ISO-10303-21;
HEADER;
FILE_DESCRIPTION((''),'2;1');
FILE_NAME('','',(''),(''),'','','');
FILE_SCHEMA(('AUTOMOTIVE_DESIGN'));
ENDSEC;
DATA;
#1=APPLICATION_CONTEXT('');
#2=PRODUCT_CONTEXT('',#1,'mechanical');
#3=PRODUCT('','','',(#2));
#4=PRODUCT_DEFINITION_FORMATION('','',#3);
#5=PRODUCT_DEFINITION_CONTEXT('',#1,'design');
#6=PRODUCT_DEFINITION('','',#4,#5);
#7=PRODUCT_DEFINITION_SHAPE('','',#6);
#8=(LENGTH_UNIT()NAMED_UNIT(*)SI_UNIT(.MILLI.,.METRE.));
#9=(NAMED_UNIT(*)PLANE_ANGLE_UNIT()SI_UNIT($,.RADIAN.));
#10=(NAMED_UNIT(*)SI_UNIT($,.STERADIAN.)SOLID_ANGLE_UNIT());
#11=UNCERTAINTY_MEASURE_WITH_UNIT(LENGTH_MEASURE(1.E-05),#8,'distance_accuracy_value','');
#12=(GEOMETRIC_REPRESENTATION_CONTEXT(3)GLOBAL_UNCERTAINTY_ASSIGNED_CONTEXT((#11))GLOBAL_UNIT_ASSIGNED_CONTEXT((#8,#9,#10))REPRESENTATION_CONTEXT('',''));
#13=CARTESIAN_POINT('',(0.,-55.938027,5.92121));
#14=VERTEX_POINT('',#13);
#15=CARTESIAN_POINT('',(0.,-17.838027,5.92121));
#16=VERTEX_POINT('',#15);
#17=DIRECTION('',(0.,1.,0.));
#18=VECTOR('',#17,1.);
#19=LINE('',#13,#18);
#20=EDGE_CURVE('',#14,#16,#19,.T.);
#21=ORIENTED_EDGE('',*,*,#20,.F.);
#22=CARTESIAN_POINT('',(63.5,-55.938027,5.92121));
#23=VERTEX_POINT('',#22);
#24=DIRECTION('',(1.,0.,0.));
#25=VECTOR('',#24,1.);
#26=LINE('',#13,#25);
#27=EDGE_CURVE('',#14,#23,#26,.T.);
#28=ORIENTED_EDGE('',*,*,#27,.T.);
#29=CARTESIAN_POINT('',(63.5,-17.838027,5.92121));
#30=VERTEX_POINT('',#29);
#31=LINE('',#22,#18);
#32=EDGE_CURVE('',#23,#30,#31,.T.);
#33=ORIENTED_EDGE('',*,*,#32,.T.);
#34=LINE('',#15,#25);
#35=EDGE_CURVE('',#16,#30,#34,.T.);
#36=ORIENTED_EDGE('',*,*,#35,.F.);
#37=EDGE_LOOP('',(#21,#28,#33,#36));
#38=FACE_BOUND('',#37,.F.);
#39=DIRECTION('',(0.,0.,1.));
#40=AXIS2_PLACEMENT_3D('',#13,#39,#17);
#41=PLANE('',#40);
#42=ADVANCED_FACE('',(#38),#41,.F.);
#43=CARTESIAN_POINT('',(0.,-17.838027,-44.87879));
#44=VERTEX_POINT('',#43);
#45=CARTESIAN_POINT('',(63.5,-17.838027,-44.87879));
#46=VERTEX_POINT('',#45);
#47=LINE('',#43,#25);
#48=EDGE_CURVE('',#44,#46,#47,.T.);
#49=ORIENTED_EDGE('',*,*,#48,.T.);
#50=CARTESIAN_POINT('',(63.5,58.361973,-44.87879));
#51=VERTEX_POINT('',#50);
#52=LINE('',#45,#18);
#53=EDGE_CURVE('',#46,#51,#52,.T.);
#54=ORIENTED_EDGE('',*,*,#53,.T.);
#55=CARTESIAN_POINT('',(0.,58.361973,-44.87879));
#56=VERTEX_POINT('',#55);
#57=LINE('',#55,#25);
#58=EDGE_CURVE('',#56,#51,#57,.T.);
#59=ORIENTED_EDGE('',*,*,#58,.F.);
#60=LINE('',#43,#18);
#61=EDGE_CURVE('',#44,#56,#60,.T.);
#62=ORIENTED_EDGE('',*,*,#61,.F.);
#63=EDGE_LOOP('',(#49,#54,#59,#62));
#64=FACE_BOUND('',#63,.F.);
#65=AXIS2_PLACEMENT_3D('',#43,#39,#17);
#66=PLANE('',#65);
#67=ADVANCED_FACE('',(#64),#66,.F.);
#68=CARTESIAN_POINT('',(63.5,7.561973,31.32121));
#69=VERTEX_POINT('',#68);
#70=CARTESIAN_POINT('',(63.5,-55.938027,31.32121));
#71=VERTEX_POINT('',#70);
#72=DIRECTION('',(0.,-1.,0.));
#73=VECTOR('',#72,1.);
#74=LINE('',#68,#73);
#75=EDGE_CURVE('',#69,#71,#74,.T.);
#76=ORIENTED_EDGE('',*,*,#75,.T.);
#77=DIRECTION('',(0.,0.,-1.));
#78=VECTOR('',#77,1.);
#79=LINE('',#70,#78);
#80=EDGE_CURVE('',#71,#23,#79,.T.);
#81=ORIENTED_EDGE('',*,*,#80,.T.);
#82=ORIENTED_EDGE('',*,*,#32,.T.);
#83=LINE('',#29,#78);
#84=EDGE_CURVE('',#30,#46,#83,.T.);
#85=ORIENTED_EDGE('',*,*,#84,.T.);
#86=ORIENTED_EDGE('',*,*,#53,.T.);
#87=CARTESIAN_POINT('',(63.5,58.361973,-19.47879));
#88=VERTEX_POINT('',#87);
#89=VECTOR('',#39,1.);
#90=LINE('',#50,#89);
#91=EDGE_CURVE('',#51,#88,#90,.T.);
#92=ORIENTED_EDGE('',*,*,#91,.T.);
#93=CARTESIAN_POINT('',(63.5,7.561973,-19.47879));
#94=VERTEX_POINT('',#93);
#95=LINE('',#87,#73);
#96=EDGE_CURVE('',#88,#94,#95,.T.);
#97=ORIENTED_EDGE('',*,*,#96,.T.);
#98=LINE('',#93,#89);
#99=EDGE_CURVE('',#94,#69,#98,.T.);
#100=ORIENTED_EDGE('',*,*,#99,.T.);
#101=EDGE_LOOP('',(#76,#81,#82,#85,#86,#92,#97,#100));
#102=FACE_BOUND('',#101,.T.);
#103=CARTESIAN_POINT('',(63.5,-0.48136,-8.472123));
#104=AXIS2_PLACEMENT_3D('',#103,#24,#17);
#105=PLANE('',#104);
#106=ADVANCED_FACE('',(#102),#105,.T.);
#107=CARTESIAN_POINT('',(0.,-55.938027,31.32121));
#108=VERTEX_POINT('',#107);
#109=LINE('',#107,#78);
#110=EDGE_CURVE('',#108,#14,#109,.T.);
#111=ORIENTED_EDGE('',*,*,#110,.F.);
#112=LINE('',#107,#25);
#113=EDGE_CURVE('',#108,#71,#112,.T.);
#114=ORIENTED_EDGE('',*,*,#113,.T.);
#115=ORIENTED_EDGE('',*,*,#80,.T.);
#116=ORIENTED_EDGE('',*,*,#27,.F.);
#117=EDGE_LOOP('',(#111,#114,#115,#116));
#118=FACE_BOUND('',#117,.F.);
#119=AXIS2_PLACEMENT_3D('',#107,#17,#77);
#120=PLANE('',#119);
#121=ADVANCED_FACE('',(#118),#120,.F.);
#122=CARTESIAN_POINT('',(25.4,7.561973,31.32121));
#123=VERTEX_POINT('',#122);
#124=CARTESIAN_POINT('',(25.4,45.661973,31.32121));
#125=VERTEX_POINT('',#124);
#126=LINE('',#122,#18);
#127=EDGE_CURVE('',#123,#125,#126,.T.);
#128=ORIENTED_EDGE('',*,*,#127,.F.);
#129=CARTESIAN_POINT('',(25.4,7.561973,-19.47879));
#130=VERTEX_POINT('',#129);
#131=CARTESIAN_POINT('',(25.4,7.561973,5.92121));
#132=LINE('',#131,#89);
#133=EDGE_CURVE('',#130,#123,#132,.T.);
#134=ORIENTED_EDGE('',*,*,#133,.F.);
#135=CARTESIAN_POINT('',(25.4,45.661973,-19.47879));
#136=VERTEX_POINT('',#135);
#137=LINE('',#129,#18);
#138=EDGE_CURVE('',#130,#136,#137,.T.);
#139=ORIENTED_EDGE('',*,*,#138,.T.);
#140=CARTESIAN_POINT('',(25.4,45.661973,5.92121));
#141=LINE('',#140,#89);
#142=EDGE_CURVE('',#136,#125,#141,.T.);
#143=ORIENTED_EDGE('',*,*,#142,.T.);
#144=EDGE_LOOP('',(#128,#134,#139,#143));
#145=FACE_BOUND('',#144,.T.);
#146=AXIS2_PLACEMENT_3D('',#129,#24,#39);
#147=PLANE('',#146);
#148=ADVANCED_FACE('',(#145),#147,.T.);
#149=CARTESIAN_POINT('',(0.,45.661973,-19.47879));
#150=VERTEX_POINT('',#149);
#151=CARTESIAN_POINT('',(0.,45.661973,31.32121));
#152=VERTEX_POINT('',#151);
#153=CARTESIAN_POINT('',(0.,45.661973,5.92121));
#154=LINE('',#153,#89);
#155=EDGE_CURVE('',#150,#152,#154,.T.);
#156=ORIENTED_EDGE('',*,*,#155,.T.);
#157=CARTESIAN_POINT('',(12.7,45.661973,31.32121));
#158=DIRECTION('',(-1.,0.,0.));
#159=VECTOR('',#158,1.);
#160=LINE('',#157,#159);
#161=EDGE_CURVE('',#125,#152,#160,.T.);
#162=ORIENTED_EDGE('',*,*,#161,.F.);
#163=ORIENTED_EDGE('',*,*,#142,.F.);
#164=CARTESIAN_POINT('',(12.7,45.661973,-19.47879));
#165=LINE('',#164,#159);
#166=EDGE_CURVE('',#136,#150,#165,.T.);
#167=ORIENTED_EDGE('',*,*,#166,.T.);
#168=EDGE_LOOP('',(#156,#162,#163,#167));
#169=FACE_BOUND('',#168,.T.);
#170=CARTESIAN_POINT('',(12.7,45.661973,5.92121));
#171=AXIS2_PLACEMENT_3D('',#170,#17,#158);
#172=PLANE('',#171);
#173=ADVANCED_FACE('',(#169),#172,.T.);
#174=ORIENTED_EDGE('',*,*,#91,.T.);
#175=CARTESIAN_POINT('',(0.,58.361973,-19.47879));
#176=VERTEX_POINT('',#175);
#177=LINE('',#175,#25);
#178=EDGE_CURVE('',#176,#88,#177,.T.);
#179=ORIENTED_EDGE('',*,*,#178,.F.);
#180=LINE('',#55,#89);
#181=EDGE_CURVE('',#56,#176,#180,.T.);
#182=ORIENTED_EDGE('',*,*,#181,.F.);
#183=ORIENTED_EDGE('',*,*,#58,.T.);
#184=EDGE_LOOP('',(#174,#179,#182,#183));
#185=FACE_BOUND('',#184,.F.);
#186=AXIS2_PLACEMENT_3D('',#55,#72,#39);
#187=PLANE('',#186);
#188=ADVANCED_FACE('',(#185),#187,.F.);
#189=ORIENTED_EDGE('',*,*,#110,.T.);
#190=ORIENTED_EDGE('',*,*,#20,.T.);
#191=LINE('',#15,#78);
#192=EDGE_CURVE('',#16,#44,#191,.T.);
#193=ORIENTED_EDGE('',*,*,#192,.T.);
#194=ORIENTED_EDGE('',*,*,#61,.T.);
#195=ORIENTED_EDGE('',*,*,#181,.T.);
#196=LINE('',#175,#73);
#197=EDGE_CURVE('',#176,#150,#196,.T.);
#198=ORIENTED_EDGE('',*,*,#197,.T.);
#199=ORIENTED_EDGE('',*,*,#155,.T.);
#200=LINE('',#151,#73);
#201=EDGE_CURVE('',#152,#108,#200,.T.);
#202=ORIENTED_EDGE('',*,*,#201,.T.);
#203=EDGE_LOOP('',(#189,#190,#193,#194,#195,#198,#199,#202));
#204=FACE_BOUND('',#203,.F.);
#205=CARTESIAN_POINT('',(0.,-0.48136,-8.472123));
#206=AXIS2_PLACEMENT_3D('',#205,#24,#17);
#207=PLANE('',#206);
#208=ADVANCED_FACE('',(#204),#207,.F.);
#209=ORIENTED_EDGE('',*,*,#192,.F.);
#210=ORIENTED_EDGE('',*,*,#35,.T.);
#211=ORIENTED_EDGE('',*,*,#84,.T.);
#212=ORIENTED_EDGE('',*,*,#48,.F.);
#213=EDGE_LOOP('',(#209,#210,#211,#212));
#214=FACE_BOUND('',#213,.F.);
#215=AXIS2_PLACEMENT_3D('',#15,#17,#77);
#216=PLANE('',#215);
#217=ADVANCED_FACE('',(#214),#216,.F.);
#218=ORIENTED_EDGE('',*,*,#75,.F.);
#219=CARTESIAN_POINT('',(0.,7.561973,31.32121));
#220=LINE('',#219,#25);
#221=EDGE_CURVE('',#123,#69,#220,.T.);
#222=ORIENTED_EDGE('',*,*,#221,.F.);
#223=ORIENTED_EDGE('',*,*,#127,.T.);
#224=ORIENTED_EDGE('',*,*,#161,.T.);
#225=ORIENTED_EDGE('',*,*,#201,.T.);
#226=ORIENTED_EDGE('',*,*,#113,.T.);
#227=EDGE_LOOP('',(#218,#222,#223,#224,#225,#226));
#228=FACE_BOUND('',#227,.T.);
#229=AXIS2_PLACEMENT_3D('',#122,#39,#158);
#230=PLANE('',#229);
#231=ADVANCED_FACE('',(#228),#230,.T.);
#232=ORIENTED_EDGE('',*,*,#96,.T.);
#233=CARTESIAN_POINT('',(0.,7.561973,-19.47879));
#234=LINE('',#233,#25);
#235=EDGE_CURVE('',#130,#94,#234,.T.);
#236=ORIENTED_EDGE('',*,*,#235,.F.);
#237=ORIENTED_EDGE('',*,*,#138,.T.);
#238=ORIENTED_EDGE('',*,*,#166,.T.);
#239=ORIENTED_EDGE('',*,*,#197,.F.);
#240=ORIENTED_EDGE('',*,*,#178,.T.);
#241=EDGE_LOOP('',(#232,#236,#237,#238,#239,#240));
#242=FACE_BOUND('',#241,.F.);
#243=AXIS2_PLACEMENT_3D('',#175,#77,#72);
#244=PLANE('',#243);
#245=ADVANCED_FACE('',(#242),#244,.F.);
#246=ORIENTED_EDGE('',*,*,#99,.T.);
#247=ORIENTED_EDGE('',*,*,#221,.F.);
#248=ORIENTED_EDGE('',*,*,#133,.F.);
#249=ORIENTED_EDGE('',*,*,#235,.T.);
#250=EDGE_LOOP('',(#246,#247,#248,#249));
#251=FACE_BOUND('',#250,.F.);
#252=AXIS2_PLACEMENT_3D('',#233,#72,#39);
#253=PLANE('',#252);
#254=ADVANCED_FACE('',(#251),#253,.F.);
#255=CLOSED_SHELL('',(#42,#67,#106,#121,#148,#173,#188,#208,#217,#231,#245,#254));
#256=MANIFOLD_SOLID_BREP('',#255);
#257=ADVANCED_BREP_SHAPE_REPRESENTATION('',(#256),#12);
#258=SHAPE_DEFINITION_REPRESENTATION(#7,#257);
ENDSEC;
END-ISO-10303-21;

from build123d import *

# Parameters (mm, degrees)
F1_DEPTH = 63.5
F2_W     = 25.4
F2_H     = 50.8
F3_DEPTH = 38.1


with BuildPart() as f1:
    # F0 (on Right) → F1 (new body)
    with BuildSketch(Plane.YZ):
        Polygon((7.561973, 31.32121), (-55.938027, 31.32121), (-55.938027, 5.92121), (-17.838027, 5.92121), (-17.838027, -44.87879), (58.361973, -44.87879), (58.361973, -19.47879), (7.561973, -19.47879), align=None)
    extrude(amount=F1_DEPTH)

    # F2 (on face) → F3 (join)
    with BuildSketch(Plane(origin=(0, 7.561973, 0), x_dir=(-1, 0, 0), z_dir=(0, 1, 0))):
        with Locations((-12.7, 5.92121)):
            Rectangle(F2_W, F2_H)
    extrude(amount=F3_DEPTH)


solid = f1.part
